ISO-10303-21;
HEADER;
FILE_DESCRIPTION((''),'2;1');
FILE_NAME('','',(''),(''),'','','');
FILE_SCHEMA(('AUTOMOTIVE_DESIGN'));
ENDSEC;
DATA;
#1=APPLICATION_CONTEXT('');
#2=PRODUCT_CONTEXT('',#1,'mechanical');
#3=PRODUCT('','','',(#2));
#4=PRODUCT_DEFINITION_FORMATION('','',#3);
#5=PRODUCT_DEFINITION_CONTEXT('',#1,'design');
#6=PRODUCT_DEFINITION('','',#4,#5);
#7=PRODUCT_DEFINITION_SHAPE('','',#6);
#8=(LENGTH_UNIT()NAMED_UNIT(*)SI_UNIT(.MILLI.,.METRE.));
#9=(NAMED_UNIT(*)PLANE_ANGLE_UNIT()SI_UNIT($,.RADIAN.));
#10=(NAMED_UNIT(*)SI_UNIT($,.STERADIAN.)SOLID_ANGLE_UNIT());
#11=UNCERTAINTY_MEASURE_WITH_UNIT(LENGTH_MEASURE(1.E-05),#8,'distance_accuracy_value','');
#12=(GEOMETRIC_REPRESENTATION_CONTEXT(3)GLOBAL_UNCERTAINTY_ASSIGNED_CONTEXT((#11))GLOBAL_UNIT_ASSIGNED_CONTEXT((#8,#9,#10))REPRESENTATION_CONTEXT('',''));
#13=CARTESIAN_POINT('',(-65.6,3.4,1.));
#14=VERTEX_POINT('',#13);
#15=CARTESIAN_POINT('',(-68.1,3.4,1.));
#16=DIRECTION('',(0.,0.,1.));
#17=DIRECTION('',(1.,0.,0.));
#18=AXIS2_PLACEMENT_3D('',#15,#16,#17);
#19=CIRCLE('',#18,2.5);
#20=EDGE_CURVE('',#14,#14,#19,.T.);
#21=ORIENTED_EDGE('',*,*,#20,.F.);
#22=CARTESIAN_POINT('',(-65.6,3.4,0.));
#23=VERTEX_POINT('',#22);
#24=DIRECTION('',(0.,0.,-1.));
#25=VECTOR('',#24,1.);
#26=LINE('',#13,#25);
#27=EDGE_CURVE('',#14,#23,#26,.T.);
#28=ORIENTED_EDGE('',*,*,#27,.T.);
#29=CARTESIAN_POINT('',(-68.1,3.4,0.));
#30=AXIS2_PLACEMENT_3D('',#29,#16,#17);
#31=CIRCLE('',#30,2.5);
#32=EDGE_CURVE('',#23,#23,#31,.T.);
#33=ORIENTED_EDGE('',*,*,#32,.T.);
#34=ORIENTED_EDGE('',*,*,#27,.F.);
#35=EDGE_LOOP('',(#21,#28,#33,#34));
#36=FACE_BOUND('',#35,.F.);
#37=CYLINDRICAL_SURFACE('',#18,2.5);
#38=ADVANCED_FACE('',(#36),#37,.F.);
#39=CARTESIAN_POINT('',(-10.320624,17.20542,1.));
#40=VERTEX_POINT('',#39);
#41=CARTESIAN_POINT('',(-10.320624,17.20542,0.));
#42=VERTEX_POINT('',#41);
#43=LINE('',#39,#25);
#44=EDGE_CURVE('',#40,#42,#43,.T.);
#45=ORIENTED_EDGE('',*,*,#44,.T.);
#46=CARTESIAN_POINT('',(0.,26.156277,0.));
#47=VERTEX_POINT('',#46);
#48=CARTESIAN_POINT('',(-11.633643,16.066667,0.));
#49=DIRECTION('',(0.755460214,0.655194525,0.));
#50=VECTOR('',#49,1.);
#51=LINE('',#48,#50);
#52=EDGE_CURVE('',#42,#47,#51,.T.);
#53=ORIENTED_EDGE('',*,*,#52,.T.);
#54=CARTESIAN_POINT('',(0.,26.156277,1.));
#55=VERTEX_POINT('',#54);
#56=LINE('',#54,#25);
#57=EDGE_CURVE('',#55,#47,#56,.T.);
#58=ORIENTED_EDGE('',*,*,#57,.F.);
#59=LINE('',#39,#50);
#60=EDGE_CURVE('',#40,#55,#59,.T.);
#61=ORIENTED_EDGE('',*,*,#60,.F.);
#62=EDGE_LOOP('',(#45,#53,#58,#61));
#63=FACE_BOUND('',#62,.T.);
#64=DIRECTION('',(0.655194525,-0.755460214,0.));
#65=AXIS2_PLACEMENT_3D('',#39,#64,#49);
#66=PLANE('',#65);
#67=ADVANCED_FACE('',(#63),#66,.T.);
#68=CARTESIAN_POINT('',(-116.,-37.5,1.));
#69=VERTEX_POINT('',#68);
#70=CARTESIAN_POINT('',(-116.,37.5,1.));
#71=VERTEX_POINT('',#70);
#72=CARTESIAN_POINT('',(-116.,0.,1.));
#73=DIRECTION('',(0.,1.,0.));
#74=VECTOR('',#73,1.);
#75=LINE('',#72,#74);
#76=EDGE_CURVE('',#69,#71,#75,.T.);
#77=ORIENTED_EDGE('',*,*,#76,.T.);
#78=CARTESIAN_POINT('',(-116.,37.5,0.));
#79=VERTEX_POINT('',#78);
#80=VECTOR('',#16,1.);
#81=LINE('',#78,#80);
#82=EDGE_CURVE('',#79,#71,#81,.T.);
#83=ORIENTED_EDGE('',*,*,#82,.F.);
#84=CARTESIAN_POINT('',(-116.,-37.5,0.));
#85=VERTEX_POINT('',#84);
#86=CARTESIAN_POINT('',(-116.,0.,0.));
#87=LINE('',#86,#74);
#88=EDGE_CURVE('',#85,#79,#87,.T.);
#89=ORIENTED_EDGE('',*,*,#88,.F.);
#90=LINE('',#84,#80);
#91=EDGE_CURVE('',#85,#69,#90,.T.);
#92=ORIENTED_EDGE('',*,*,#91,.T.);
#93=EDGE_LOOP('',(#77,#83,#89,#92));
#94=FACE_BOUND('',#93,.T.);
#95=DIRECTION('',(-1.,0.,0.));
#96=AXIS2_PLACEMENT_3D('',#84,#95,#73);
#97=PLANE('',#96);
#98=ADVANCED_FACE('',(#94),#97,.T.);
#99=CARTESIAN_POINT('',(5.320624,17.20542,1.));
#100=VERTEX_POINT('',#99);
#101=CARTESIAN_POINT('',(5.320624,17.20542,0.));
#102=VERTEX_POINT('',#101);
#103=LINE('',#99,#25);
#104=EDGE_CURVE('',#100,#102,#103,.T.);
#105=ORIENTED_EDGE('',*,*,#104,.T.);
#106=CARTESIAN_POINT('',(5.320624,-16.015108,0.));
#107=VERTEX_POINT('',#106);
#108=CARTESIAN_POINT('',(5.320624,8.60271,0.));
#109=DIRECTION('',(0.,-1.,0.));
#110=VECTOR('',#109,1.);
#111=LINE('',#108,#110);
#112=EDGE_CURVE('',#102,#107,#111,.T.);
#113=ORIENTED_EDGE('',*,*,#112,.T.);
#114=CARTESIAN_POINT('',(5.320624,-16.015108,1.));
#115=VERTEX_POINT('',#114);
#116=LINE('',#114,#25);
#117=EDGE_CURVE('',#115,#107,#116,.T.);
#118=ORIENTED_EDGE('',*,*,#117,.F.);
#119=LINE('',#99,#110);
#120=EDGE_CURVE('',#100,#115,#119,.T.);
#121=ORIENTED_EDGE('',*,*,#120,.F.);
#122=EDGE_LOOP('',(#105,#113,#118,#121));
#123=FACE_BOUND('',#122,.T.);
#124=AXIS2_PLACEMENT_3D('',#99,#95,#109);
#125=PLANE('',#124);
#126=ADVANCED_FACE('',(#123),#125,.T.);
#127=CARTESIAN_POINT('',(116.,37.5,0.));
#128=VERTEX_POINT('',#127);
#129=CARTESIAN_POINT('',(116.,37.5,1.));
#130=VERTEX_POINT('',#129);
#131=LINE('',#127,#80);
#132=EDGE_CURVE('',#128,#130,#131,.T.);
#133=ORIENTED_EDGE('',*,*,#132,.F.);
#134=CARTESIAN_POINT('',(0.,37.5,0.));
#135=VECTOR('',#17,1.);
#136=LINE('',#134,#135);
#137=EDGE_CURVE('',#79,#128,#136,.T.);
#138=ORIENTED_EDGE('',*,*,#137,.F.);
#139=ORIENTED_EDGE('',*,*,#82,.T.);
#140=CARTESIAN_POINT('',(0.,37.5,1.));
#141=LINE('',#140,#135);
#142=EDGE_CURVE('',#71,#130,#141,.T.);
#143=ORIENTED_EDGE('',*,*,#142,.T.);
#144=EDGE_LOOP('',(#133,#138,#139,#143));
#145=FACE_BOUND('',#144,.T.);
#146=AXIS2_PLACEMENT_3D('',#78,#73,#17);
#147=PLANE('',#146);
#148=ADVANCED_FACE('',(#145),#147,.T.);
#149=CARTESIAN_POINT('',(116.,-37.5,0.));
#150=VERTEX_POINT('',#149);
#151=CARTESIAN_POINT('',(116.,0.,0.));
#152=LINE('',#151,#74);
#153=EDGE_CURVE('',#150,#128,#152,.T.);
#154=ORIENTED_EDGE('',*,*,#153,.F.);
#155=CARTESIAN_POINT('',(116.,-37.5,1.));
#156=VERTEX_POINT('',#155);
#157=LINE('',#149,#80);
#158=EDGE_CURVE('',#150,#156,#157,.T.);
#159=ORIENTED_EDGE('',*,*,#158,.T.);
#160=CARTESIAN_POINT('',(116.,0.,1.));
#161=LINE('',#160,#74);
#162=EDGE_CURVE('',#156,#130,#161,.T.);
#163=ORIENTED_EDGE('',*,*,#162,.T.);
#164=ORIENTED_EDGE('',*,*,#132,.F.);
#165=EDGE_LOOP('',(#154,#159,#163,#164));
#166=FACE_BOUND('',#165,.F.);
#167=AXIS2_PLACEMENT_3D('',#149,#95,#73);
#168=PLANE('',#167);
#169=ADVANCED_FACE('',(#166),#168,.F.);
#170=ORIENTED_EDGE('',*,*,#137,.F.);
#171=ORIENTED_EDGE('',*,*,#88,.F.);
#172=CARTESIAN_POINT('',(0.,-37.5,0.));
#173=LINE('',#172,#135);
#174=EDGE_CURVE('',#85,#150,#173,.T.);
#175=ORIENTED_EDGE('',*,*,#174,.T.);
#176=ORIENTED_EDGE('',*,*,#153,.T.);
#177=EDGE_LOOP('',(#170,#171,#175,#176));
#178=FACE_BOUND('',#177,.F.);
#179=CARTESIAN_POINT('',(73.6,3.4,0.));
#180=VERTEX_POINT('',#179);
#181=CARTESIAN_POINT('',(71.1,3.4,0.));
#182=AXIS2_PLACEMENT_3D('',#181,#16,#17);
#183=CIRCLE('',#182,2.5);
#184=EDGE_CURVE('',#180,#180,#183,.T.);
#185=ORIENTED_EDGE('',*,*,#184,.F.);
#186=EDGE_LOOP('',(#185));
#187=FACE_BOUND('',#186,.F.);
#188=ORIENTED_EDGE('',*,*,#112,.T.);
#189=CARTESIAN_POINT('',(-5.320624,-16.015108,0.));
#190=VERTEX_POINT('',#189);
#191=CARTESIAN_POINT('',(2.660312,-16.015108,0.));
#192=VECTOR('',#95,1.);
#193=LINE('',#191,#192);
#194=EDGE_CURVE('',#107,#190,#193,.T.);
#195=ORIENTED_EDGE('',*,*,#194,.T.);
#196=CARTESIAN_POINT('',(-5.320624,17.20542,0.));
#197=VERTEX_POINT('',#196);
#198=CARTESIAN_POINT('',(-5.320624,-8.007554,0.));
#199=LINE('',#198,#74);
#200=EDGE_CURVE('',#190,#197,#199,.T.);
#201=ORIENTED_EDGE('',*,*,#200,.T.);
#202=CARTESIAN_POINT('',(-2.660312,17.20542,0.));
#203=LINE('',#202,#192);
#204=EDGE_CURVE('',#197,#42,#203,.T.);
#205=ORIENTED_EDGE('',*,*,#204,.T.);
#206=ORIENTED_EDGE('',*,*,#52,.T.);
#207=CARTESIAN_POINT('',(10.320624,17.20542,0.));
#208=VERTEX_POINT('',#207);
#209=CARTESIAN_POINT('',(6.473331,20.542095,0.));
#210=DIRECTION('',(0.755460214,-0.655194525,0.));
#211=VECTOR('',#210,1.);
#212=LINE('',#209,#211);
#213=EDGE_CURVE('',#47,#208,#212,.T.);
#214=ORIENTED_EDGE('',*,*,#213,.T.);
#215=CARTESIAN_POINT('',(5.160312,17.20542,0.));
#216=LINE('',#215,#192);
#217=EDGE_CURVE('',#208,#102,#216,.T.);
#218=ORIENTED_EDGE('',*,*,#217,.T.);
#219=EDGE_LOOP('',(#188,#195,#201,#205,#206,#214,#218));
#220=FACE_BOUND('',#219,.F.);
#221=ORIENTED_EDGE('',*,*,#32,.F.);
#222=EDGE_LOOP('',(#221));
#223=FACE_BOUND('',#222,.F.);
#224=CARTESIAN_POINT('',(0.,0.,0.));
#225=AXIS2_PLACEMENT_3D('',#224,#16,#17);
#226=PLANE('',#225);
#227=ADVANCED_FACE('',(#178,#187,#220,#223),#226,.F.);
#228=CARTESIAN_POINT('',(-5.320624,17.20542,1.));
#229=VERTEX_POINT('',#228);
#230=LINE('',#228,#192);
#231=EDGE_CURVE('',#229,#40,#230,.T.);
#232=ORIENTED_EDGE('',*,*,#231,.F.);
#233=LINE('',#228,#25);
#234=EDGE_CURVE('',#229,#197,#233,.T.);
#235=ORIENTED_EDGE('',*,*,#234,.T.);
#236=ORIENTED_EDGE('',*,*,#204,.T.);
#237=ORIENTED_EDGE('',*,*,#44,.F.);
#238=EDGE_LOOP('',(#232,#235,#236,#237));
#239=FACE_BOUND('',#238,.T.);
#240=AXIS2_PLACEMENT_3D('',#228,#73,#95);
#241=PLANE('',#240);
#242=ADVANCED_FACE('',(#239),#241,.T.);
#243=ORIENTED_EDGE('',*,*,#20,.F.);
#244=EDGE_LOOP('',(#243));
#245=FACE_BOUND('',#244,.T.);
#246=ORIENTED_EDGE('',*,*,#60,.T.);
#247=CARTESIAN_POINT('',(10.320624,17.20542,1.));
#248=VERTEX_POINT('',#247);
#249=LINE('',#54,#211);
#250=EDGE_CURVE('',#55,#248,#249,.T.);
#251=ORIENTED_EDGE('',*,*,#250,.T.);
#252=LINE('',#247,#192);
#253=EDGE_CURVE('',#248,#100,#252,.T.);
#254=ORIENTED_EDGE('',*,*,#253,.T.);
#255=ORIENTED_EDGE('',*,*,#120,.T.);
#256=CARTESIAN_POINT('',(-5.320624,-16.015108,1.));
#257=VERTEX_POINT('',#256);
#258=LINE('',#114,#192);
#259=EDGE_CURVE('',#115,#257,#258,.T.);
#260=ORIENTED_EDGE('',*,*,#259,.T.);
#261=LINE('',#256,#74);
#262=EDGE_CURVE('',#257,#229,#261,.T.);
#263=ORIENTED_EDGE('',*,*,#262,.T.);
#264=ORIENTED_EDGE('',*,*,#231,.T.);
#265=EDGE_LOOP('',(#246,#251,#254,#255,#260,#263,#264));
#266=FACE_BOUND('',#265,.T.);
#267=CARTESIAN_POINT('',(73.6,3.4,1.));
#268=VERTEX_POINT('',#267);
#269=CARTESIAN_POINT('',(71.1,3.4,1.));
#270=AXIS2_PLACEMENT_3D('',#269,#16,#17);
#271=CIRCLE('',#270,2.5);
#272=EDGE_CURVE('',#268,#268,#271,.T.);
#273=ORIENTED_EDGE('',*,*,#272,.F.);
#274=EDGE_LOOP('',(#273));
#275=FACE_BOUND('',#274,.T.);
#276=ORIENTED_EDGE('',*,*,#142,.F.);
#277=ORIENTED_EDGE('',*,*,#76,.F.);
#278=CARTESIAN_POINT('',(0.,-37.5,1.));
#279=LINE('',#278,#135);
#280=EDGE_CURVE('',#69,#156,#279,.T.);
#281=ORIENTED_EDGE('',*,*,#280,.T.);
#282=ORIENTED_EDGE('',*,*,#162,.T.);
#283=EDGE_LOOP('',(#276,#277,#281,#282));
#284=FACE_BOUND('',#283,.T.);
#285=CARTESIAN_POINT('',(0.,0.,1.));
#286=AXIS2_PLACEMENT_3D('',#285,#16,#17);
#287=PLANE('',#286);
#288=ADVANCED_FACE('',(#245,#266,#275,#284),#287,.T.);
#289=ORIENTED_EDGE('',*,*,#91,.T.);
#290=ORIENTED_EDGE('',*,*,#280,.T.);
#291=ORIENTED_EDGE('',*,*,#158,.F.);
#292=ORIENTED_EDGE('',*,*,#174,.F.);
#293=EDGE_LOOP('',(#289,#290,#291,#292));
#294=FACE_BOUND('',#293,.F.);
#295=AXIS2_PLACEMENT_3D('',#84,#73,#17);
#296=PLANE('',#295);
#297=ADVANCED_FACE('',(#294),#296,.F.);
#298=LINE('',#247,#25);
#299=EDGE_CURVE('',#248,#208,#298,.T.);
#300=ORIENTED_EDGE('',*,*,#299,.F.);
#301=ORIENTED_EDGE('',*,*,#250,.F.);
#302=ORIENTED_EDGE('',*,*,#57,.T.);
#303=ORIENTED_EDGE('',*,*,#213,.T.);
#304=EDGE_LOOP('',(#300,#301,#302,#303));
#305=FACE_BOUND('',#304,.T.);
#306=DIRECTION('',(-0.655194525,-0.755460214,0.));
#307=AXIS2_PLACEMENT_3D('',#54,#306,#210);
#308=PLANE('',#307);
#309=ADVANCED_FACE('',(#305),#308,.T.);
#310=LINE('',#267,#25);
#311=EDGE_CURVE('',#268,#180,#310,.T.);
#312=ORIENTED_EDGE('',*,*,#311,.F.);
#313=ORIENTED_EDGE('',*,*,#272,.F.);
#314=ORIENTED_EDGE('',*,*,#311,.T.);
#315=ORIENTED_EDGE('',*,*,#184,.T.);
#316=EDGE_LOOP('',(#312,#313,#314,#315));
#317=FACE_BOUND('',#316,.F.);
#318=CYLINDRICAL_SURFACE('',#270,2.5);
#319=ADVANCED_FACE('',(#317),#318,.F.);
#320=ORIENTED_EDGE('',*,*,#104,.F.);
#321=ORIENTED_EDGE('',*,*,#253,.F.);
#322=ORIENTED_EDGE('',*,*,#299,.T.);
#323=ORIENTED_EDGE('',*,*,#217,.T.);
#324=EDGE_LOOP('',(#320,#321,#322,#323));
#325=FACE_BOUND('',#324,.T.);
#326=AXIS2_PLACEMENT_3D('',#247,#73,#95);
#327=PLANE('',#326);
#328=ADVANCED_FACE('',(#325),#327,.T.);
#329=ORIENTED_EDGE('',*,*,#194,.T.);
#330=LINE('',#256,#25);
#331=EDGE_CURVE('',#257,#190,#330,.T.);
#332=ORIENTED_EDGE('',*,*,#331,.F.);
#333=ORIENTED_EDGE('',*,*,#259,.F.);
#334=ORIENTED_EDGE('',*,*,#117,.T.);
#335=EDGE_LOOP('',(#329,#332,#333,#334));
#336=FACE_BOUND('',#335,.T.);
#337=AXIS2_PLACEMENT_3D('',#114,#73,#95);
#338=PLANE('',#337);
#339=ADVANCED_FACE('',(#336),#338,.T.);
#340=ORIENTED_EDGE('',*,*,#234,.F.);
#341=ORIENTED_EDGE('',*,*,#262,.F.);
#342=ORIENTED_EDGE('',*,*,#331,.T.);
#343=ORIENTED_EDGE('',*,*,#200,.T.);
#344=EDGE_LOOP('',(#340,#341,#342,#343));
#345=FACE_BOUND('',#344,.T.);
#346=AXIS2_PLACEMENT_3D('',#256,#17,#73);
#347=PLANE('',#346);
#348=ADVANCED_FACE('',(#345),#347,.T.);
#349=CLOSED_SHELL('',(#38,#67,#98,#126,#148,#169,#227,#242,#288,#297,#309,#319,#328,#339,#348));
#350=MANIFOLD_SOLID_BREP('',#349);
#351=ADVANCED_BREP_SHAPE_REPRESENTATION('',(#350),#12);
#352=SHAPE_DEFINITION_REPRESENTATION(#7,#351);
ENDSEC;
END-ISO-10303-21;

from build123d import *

# Parameters (mm, degrees)
SKETCH_W     = 232
SKETCH_H     = 75
PAD_DEPTH    = 1
SKETCH001_R  = 2.5
POCKET_DEPTH = 5


with BuildPart() as part:
    # Sketch → Pad (new body)
    with BuildSketch(Plane.XY):
        Rectangle(SKETCH_W, SKETCH_H)
    extrude(amount=PAD_DEPTH)

    # Sketch001 (on Face6 of Pad) → Pocket (cut)
    with BuildSketch(Plane.XY.offset(1)):
        with Locations((-68.1, 3.4)):
            Circle(SKETCH001_R)
        with Locations((71.1, 3.4)):
            Circle(SKETCH001_R)
        Polygon((-5.320624, -16.015108), (-5.320624, 17.20542), (-10.320624, 17.20542), (0, 26.156277), (10.320624, 17.20542), (5.320624, 17.20542), (5.320624, -16.015108), align=None)
    extrude(amount=-POCKET_DEPTH, mode=Mode.SUBTRACT)


solid = part.part
